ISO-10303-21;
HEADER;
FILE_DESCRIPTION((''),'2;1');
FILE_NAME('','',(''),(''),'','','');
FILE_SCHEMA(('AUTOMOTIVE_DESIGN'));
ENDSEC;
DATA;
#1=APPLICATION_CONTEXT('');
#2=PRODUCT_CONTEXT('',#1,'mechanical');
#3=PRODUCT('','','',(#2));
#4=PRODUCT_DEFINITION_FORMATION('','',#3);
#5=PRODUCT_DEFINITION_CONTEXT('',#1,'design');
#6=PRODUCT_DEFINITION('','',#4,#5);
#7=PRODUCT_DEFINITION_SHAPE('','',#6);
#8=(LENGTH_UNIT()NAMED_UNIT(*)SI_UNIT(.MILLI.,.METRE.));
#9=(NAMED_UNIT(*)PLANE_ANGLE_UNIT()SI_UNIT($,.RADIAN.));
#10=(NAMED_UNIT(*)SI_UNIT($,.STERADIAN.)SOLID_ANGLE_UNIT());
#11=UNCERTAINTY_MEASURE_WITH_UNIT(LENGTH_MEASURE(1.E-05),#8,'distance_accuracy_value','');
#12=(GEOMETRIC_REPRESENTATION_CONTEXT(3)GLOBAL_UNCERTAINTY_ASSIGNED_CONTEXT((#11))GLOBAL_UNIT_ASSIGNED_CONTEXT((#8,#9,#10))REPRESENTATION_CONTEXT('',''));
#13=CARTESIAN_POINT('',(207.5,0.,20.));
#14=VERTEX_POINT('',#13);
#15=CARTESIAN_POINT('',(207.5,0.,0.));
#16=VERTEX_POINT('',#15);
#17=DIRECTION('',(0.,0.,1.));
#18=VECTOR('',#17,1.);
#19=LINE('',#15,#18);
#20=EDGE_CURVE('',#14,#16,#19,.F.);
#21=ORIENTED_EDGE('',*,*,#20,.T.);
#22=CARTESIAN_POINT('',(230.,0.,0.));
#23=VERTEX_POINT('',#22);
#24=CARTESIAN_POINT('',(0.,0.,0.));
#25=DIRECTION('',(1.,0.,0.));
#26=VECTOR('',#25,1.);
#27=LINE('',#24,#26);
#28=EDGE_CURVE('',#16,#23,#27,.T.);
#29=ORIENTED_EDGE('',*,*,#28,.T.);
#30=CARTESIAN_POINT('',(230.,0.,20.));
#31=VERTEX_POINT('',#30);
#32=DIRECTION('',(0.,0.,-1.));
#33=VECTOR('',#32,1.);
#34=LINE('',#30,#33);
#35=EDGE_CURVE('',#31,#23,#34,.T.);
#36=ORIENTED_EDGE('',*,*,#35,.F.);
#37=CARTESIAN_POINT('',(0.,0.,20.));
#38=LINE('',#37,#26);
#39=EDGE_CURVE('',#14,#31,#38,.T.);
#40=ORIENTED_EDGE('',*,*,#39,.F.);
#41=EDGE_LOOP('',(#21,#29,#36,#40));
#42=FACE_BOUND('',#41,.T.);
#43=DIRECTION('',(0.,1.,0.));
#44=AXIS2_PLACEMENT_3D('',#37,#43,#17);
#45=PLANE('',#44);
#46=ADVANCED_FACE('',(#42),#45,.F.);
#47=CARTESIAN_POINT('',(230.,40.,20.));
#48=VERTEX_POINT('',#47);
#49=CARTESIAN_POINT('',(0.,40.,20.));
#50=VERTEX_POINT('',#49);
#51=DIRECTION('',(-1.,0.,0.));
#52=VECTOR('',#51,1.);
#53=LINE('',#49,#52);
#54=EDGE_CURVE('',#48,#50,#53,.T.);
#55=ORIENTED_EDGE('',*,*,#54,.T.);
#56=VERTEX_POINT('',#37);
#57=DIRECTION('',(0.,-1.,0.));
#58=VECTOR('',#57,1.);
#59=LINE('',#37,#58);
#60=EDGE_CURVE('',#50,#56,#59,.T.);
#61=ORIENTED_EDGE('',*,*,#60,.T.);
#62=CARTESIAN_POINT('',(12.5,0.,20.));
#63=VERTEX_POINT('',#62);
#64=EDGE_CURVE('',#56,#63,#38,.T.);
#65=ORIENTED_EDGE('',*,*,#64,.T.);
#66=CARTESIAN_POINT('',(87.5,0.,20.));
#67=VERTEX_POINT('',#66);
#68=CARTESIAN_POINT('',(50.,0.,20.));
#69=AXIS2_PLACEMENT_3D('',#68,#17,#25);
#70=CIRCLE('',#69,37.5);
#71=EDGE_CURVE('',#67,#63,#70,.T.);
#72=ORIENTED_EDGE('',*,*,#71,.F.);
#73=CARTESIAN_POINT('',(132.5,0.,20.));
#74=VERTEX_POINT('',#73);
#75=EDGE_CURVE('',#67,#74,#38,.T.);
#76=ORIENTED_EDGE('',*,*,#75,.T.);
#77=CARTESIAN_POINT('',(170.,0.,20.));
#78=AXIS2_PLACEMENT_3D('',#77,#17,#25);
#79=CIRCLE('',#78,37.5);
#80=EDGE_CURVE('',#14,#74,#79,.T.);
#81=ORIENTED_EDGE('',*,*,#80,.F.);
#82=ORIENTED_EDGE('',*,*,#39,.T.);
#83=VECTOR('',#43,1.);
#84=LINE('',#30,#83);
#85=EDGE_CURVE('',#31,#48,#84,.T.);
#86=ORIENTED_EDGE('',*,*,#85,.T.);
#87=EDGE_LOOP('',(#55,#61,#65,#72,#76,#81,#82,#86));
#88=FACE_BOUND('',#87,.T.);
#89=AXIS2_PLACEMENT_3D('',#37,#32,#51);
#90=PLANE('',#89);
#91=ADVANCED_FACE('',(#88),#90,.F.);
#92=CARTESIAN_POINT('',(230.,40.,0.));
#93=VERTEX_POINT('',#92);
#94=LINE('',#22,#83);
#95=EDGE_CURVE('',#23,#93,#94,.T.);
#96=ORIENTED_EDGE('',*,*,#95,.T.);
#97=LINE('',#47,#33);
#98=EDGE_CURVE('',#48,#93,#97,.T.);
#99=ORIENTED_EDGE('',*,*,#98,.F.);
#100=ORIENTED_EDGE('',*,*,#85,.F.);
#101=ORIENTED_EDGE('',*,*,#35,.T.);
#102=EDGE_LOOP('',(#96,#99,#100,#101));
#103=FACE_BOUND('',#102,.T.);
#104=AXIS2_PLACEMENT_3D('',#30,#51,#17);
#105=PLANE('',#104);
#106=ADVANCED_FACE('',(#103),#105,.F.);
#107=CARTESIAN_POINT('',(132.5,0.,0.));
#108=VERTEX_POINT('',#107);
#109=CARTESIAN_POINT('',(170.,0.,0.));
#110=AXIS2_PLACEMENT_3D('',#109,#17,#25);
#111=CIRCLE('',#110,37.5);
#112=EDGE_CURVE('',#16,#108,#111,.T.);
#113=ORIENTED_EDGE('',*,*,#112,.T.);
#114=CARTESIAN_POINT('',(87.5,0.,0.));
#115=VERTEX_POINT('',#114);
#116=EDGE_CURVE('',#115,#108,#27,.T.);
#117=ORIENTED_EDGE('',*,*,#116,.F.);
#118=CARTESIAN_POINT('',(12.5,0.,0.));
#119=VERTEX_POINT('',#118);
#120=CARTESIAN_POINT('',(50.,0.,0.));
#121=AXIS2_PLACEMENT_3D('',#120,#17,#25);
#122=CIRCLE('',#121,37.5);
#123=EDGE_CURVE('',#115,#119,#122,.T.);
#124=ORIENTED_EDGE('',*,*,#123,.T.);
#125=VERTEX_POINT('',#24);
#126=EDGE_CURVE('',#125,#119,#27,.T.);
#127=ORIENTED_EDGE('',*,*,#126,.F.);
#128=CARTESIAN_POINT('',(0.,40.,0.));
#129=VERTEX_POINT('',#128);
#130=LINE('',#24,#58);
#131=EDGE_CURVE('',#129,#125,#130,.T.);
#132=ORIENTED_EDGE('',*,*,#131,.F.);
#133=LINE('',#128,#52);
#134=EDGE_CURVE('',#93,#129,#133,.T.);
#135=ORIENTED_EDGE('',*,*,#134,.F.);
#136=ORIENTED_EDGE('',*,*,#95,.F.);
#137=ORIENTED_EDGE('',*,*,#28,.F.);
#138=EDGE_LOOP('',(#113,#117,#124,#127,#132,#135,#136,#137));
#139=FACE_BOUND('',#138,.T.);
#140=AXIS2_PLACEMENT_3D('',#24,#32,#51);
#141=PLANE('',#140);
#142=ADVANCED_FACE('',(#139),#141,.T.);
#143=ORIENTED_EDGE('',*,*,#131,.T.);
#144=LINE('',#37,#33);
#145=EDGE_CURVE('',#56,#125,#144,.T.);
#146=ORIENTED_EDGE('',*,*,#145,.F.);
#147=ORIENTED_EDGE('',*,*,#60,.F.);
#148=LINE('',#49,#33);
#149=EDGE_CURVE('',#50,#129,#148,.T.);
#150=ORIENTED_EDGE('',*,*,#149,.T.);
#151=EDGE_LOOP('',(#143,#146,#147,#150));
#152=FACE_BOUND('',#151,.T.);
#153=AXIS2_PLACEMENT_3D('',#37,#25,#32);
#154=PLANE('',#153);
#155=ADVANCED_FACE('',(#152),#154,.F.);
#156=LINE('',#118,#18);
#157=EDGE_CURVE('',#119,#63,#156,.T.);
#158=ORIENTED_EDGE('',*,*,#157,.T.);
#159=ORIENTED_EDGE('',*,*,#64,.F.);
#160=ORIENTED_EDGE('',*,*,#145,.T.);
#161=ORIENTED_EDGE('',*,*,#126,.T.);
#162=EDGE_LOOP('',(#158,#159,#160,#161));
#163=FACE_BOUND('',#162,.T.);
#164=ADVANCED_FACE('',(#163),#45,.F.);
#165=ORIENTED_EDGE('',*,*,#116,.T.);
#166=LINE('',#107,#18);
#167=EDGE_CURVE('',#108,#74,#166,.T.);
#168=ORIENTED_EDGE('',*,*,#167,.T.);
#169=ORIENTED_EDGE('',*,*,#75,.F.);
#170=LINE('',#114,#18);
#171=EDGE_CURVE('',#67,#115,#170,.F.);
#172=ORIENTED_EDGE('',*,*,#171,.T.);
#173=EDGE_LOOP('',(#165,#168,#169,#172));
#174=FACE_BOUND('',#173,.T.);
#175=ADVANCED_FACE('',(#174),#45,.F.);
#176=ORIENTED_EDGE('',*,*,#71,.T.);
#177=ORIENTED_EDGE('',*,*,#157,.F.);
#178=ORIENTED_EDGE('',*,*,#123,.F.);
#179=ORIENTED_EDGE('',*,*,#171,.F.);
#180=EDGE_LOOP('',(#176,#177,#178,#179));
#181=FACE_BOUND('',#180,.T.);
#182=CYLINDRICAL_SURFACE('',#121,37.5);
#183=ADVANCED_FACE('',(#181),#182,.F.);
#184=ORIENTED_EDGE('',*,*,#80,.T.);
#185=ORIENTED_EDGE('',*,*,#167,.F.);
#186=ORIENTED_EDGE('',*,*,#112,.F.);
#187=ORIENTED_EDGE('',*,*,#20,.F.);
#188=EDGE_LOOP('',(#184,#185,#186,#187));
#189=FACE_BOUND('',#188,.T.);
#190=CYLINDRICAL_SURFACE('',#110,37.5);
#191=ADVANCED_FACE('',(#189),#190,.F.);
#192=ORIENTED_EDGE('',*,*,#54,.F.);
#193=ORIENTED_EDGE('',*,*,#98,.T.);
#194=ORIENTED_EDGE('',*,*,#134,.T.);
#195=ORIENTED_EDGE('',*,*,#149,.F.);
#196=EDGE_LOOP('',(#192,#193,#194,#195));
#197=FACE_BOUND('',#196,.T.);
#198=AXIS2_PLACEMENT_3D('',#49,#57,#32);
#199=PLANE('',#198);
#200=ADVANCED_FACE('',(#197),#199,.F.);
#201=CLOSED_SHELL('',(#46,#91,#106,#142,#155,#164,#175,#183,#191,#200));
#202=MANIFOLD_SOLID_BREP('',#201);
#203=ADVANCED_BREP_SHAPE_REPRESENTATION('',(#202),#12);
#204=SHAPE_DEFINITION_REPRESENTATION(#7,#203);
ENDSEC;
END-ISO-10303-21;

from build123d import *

# Parameters (mm, degrees)
SKETCH1_W           = 230
SKETCH1_H           = 40
BOSS_EXTRUDE1_DEPTH = 20
SKETCH2_R           = 37.5
CUT_EXTRUDE1_DEPTH  = 235.307490277


with BuildPart() as part:
    # Sketch1 → Boss-Extrude1 (new body)
    with BuildSketch(Plane.XY):
        with Locations((115, 20)):
            Rectangle(SKETCH1_W, SKETCH1_H)
    extrude(amount=BOSS_EXTRUDE1_DEPTH)

    # Sketch2 → Cut-Extrude1 (cut, through all)
    with BuildSketch(Plane.XY.offset(20)):
        with Locations((50, 0)):
            Circle(SKETCH2_R)
        with Locations((170, 0)):
            Circle(SKETCH2_R)
    extrude(amount=-CUT_EXTRUDE1_DEPTH, mode=Mode.SUBTRACT)


solid = part.part
